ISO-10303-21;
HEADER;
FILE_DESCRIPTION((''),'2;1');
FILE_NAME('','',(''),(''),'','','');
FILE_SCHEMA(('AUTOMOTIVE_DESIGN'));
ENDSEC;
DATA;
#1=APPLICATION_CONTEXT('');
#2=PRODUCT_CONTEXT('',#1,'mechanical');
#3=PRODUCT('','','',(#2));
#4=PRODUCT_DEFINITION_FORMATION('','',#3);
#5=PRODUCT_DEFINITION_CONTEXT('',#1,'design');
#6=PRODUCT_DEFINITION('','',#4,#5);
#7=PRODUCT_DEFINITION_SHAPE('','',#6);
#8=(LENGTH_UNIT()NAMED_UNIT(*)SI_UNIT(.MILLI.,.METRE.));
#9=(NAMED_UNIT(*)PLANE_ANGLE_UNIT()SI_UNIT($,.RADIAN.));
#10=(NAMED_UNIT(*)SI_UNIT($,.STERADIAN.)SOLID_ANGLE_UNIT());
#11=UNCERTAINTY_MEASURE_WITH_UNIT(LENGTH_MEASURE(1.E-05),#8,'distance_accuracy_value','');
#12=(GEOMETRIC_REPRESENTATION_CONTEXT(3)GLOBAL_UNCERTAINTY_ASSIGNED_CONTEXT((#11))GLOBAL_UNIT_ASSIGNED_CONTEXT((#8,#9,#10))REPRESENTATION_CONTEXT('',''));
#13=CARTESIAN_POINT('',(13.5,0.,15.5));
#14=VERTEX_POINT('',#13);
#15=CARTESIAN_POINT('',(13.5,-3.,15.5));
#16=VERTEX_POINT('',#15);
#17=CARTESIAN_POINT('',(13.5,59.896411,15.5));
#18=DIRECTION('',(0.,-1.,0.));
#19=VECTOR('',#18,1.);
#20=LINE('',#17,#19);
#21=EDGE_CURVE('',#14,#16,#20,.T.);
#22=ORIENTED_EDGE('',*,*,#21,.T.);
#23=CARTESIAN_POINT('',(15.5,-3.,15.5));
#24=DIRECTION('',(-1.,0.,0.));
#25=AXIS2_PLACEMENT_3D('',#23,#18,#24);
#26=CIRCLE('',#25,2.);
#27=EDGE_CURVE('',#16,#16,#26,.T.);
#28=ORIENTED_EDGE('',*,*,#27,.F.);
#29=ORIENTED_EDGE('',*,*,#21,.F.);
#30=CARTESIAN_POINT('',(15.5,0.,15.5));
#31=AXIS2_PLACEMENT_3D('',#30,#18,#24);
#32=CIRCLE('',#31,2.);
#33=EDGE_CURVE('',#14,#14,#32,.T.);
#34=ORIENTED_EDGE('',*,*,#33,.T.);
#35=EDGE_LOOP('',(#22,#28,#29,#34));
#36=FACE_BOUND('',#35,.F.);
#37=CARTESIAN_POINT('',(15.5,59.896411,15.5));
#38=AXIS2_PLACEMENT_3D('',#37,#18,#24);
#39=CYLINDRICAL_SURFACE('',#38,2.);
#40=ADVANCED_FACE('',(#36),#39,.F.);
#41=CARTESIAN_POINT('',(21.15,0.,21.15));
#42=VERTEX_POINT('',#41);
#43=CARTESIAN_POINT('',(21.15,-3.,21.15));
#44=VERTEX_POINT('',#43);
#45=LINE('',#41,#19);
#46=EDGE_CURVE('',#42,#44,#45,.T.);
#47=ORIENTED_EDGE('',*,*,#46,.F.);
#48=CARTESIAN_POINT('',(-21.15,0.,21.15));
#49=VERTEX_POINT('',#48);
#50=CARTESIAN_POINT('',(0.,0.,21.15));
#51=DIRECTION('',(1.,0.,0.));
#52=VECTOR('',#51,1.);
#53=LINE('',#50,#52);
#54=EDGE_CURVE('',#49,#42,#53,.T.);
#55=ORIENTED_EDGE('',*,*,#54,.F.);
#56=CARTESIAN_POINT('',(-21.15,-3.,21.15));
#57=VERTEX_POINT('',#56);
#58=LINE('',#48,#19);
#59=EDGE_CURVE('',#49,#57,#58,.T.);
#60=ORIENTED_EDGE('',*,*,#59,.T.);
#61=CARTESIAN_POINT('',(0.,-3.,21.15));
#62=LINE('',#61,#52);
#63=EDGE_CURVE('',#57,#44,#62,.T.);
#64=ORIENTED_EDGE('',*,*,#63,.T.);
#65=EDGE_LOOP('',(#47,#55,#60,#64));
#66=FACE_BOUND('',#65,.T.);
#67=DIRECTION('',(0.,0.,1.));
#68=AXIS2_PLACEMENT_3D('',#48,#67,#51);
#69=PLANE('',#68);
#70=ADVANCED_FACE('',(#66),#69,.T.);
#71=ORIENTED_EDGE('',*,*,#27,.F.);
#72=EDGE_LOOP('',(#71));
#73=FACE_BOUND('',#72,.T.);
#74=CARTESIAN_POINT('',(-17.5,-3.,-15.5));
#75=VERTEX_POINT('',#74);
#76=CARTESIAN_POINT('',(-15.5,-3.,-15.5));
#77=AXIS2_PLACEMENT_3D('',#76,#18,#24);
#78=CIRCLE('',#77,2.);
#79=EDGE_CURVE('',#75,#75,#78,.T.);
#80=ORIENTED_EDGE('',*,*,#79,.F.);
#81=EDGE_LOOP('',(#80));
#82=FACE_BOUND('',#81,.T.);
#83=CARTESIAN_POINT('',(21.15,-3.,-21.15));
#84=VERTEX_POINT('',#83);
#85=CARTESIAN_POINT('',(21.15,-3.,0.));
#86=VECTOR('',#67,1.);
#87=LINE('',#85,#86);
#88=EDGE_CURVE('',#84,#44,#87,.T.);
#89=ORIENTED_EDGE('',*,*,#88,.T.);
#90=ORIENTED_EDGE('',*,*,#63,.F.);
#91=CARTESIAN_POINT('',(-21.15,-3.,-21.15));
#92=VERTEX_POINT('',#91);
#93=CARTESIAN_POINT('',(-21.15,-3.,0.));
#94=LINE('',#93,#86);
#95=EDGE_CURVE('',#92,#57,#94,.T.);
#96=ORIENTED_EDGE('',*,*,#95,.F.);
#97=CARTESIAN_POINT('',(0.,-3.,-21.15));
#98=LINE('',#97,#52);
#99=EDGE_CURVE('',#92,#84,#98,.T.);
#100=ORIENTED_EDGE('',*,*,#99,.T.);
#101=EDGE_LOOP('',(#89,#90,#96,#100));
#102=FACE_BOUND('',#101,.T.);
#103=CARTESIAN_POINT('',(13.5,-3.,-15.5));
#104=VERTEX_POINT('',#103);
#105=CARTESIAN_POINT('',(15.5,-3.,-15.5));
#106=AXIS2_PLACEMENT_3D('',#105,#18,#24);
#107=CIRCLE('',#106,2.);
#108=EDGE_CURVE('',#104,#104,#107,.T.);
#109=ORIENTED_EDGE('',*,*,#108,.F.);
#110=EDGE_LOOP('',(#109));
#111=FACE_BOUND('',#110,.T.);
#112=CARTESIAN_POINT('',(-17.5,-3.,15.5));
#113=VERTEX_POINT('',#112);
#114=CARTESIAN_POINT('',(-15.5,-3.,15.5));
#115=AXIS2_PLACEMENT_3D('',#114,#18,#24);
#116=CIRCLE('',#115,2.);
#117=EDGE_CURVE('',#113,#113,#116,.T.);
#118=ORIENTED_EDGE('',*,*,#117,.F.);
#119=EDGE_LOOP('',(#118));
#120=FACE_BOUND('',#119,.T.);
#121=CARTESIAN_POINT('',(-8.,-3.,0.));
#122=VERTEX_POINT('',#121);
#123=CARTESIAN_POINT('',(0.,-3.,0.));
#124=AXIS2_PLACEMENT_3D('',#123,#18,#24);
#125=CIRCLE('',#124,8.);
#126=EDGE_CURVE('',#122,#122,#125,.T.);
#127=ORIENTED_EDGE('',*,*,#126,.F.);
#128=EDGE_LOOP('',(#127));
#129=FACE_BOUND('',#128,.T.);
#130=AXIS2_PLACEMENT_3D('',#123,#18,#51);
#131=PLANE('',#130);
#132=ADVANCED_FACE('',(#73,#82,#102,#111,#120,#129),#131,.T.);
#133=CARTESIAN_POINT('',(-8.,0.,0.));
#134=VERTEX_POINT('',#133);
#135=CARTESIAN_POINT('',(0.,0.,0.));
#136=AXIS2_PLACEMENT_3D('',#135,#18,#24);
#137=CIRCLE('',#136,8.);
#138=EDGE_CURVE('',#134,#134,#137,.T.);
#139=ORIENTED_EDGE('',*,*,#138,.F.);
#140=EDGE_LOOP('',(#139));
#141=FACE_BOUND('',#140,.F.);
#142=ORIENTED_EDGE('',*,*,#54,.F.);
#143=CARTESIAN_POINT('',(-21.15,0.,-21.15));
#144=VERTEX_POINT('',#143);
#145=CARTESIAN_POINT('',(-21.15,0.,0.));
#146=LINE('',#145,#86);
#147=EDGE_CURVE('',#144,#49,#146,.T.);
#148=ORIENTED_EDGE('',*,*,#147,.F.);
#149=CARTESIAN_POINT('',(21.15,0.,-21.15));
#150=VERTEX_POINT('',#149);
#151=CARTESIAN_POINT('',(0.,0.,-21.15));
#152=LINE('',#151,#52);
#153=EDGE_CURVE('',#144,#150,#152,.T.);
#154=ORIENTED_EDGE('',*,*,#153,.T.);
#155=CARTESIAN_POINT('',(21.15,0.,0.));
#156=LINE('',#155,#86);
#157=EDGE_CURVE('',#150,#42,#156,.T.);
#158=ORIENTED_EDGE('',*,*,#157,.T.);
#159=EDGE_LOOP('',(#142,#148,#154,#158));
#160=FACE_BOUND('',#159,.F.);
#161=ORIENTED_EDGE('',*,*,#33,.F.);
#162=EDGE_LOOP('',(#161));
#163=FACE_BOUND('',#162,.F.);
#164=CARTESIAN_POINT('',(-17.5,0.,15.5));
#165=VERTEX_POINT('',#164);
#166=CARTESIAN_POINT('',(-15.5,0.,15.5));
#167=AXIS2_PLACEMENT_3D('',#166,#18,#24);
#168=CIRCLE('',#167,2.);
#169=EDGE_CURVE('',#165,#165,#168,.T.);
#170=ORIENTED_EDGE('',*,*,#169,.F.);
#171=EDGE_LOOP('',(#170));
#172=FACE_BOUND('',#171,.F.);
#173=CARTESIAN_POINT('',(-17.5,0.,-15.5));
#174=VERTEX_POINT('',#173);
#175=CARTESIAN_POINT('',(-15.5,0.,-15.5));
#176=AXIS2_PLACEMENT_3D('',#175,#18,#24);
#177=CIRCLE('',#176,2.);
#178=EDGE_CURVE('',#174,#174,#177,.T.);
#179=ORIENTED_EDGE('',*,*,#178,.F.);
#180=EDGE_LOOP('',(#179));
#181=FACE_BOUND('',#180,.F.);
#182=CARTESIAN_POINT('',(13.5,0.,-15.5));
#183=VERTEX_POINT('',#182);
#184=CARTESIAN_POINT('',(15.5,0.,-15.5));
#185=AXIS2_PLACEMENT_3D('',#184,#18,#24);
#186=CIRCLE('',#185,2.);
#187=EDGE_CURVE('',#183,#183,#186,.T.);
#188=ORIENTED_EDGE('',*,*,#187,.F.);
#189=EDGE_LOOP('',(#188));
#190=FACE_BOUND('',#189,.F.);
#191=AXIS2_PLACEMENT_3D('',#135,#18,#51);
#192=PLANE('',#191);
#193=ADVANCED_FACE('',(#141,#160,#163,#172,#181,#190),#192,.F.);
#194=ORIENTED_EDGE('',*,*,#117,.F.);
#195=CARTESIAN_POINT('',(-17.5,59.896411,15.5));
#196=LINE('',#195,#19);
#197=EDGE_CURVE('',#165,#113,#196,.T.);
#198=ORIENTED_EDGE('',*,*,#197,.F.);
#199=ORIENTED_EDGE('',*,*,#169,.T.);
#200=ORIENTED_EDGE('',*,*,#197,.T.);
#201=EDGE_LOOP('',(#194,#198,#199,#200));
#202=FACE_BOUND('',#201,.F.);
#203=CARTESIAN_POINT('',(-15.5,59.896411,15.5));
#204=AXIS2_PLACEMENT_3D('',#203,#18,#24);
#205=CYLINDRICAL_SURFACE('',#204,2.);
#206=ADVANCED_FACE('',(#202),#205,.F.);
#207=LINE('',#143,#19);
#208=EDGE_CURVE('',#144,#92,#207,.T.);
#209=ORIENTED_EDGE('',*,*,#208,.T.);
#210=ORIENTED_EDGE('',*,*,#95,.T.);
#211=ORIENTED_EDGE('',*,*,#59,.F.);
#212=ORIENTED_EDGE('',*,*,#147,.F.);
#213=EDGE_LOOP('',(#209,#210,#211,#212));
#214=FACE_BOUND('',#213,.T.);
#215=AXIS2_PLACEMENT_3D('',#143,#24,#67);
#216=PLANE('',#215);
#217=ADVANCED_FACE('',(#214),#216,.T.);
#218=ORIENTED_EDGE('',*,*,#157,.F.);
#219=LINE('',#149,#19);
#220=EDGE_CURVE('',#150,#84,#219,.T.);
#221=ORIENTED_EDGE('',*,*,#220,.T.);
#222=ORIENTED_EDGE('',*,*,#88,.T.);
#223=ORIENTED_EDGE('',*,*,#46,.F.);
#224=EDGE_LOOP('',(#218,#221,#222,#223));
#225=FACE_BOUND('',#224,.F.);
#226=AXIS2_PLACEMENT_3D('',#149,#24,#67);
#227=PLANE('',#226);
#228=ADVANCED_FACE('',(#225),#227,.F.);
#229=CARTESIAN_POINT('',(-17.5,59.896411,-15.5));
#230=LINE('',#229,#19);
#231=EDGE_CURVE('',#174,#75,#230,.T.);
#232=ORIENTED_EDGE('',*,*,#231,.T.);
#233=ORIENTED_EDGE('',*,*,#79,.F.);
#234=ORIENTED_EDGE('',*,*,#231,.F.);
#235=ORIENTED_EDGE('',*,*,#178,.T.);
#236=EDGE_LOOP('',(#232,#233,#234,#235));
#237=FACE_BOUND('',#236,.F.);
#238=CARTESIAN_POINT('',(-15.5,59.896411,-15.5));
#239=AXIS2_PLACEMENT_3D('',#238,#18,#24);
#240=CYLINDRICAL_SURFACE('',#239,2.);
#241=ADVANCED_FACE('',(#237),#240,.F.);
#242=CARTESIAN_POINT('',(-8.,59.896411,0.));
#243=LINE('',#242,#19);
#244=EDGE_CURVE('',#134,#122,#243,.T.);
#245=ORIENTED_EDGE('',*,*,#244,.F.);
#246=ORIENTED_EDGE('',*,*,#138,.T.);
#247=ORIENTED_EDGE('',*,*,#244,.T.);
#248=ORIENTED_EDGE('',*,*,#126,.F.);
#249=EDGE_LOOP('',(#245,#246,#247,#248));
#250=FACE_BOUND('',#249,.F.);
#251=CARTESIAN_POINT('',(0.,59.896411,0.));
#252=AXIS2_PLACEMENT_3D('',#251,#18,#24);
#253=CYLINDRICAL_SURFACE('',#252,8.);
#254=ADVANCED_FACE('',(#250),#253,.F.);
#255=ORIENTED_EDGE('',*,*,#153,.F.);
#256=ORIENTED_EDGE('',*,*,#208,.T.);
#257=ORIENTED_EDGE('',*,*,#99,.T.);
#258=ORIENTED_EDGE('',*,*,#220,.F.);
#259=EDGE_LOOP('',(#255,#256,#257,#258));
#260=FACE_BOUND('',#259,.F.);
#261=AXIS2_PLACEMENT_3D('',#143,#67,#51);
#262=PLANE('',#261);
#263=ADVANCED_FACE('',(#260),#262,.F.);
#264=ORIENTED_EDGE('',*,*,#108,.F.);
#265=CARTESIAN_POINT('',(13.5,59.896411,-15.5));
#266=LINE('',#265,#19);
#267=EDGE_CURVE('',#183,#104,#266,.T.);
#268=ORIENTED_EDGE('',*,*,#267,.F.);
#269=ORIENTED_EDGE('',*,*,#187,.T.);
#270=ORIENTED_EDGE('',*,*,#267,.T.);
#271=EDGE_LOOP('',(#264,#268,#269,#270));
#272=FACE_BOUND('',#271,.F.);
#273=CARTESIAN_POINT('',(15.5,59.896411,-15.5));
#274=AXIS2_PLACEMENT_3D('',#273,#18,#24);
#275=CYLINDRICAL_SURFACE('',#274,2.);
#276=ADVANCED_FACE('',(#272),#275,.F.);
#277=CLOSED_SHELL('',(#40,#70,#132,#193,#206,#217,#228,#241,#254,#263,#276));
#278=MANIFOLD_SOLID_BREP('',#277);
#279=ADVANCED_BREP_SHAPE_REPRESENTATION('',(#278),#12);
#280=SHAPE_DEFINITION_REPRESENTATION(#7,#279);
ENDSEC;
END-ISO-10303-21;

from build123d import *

# Parameters (mm, degrees)
F0_W     = 42.3
F0_H     = 42.3
F1_DEPTH = 3
F2_D     = 4
F3_D     = 16


with BuildPart() as f1:
    # F0 (on Front) → F1 (new body)
    with BuildSketch(Plane.XZ):
        Rectangle(F0_W, F0_H)
    extrude(amount=F1_DEPTH)

    # F2 (through all)
    with Locations(Plane(origin=(0, 0, 0), x_dir=(1, 0, 0), z_dir=(0, 1, 0))):
        with Locations((-15.5, 15.5), (15.5, 15.5), (15.5, -15.5), (-15.5, -15.5)):
            Hole(F2_D / 2)

    # F3 (through all)
    with Locations(Plane(origin=(0, 0, 0), x_dir=(1, 0, 0), z_dir=(0, 1, 0))):
        with Locations((0, 0)):
            Hole(F3_D / 2)


solid = f1.part
